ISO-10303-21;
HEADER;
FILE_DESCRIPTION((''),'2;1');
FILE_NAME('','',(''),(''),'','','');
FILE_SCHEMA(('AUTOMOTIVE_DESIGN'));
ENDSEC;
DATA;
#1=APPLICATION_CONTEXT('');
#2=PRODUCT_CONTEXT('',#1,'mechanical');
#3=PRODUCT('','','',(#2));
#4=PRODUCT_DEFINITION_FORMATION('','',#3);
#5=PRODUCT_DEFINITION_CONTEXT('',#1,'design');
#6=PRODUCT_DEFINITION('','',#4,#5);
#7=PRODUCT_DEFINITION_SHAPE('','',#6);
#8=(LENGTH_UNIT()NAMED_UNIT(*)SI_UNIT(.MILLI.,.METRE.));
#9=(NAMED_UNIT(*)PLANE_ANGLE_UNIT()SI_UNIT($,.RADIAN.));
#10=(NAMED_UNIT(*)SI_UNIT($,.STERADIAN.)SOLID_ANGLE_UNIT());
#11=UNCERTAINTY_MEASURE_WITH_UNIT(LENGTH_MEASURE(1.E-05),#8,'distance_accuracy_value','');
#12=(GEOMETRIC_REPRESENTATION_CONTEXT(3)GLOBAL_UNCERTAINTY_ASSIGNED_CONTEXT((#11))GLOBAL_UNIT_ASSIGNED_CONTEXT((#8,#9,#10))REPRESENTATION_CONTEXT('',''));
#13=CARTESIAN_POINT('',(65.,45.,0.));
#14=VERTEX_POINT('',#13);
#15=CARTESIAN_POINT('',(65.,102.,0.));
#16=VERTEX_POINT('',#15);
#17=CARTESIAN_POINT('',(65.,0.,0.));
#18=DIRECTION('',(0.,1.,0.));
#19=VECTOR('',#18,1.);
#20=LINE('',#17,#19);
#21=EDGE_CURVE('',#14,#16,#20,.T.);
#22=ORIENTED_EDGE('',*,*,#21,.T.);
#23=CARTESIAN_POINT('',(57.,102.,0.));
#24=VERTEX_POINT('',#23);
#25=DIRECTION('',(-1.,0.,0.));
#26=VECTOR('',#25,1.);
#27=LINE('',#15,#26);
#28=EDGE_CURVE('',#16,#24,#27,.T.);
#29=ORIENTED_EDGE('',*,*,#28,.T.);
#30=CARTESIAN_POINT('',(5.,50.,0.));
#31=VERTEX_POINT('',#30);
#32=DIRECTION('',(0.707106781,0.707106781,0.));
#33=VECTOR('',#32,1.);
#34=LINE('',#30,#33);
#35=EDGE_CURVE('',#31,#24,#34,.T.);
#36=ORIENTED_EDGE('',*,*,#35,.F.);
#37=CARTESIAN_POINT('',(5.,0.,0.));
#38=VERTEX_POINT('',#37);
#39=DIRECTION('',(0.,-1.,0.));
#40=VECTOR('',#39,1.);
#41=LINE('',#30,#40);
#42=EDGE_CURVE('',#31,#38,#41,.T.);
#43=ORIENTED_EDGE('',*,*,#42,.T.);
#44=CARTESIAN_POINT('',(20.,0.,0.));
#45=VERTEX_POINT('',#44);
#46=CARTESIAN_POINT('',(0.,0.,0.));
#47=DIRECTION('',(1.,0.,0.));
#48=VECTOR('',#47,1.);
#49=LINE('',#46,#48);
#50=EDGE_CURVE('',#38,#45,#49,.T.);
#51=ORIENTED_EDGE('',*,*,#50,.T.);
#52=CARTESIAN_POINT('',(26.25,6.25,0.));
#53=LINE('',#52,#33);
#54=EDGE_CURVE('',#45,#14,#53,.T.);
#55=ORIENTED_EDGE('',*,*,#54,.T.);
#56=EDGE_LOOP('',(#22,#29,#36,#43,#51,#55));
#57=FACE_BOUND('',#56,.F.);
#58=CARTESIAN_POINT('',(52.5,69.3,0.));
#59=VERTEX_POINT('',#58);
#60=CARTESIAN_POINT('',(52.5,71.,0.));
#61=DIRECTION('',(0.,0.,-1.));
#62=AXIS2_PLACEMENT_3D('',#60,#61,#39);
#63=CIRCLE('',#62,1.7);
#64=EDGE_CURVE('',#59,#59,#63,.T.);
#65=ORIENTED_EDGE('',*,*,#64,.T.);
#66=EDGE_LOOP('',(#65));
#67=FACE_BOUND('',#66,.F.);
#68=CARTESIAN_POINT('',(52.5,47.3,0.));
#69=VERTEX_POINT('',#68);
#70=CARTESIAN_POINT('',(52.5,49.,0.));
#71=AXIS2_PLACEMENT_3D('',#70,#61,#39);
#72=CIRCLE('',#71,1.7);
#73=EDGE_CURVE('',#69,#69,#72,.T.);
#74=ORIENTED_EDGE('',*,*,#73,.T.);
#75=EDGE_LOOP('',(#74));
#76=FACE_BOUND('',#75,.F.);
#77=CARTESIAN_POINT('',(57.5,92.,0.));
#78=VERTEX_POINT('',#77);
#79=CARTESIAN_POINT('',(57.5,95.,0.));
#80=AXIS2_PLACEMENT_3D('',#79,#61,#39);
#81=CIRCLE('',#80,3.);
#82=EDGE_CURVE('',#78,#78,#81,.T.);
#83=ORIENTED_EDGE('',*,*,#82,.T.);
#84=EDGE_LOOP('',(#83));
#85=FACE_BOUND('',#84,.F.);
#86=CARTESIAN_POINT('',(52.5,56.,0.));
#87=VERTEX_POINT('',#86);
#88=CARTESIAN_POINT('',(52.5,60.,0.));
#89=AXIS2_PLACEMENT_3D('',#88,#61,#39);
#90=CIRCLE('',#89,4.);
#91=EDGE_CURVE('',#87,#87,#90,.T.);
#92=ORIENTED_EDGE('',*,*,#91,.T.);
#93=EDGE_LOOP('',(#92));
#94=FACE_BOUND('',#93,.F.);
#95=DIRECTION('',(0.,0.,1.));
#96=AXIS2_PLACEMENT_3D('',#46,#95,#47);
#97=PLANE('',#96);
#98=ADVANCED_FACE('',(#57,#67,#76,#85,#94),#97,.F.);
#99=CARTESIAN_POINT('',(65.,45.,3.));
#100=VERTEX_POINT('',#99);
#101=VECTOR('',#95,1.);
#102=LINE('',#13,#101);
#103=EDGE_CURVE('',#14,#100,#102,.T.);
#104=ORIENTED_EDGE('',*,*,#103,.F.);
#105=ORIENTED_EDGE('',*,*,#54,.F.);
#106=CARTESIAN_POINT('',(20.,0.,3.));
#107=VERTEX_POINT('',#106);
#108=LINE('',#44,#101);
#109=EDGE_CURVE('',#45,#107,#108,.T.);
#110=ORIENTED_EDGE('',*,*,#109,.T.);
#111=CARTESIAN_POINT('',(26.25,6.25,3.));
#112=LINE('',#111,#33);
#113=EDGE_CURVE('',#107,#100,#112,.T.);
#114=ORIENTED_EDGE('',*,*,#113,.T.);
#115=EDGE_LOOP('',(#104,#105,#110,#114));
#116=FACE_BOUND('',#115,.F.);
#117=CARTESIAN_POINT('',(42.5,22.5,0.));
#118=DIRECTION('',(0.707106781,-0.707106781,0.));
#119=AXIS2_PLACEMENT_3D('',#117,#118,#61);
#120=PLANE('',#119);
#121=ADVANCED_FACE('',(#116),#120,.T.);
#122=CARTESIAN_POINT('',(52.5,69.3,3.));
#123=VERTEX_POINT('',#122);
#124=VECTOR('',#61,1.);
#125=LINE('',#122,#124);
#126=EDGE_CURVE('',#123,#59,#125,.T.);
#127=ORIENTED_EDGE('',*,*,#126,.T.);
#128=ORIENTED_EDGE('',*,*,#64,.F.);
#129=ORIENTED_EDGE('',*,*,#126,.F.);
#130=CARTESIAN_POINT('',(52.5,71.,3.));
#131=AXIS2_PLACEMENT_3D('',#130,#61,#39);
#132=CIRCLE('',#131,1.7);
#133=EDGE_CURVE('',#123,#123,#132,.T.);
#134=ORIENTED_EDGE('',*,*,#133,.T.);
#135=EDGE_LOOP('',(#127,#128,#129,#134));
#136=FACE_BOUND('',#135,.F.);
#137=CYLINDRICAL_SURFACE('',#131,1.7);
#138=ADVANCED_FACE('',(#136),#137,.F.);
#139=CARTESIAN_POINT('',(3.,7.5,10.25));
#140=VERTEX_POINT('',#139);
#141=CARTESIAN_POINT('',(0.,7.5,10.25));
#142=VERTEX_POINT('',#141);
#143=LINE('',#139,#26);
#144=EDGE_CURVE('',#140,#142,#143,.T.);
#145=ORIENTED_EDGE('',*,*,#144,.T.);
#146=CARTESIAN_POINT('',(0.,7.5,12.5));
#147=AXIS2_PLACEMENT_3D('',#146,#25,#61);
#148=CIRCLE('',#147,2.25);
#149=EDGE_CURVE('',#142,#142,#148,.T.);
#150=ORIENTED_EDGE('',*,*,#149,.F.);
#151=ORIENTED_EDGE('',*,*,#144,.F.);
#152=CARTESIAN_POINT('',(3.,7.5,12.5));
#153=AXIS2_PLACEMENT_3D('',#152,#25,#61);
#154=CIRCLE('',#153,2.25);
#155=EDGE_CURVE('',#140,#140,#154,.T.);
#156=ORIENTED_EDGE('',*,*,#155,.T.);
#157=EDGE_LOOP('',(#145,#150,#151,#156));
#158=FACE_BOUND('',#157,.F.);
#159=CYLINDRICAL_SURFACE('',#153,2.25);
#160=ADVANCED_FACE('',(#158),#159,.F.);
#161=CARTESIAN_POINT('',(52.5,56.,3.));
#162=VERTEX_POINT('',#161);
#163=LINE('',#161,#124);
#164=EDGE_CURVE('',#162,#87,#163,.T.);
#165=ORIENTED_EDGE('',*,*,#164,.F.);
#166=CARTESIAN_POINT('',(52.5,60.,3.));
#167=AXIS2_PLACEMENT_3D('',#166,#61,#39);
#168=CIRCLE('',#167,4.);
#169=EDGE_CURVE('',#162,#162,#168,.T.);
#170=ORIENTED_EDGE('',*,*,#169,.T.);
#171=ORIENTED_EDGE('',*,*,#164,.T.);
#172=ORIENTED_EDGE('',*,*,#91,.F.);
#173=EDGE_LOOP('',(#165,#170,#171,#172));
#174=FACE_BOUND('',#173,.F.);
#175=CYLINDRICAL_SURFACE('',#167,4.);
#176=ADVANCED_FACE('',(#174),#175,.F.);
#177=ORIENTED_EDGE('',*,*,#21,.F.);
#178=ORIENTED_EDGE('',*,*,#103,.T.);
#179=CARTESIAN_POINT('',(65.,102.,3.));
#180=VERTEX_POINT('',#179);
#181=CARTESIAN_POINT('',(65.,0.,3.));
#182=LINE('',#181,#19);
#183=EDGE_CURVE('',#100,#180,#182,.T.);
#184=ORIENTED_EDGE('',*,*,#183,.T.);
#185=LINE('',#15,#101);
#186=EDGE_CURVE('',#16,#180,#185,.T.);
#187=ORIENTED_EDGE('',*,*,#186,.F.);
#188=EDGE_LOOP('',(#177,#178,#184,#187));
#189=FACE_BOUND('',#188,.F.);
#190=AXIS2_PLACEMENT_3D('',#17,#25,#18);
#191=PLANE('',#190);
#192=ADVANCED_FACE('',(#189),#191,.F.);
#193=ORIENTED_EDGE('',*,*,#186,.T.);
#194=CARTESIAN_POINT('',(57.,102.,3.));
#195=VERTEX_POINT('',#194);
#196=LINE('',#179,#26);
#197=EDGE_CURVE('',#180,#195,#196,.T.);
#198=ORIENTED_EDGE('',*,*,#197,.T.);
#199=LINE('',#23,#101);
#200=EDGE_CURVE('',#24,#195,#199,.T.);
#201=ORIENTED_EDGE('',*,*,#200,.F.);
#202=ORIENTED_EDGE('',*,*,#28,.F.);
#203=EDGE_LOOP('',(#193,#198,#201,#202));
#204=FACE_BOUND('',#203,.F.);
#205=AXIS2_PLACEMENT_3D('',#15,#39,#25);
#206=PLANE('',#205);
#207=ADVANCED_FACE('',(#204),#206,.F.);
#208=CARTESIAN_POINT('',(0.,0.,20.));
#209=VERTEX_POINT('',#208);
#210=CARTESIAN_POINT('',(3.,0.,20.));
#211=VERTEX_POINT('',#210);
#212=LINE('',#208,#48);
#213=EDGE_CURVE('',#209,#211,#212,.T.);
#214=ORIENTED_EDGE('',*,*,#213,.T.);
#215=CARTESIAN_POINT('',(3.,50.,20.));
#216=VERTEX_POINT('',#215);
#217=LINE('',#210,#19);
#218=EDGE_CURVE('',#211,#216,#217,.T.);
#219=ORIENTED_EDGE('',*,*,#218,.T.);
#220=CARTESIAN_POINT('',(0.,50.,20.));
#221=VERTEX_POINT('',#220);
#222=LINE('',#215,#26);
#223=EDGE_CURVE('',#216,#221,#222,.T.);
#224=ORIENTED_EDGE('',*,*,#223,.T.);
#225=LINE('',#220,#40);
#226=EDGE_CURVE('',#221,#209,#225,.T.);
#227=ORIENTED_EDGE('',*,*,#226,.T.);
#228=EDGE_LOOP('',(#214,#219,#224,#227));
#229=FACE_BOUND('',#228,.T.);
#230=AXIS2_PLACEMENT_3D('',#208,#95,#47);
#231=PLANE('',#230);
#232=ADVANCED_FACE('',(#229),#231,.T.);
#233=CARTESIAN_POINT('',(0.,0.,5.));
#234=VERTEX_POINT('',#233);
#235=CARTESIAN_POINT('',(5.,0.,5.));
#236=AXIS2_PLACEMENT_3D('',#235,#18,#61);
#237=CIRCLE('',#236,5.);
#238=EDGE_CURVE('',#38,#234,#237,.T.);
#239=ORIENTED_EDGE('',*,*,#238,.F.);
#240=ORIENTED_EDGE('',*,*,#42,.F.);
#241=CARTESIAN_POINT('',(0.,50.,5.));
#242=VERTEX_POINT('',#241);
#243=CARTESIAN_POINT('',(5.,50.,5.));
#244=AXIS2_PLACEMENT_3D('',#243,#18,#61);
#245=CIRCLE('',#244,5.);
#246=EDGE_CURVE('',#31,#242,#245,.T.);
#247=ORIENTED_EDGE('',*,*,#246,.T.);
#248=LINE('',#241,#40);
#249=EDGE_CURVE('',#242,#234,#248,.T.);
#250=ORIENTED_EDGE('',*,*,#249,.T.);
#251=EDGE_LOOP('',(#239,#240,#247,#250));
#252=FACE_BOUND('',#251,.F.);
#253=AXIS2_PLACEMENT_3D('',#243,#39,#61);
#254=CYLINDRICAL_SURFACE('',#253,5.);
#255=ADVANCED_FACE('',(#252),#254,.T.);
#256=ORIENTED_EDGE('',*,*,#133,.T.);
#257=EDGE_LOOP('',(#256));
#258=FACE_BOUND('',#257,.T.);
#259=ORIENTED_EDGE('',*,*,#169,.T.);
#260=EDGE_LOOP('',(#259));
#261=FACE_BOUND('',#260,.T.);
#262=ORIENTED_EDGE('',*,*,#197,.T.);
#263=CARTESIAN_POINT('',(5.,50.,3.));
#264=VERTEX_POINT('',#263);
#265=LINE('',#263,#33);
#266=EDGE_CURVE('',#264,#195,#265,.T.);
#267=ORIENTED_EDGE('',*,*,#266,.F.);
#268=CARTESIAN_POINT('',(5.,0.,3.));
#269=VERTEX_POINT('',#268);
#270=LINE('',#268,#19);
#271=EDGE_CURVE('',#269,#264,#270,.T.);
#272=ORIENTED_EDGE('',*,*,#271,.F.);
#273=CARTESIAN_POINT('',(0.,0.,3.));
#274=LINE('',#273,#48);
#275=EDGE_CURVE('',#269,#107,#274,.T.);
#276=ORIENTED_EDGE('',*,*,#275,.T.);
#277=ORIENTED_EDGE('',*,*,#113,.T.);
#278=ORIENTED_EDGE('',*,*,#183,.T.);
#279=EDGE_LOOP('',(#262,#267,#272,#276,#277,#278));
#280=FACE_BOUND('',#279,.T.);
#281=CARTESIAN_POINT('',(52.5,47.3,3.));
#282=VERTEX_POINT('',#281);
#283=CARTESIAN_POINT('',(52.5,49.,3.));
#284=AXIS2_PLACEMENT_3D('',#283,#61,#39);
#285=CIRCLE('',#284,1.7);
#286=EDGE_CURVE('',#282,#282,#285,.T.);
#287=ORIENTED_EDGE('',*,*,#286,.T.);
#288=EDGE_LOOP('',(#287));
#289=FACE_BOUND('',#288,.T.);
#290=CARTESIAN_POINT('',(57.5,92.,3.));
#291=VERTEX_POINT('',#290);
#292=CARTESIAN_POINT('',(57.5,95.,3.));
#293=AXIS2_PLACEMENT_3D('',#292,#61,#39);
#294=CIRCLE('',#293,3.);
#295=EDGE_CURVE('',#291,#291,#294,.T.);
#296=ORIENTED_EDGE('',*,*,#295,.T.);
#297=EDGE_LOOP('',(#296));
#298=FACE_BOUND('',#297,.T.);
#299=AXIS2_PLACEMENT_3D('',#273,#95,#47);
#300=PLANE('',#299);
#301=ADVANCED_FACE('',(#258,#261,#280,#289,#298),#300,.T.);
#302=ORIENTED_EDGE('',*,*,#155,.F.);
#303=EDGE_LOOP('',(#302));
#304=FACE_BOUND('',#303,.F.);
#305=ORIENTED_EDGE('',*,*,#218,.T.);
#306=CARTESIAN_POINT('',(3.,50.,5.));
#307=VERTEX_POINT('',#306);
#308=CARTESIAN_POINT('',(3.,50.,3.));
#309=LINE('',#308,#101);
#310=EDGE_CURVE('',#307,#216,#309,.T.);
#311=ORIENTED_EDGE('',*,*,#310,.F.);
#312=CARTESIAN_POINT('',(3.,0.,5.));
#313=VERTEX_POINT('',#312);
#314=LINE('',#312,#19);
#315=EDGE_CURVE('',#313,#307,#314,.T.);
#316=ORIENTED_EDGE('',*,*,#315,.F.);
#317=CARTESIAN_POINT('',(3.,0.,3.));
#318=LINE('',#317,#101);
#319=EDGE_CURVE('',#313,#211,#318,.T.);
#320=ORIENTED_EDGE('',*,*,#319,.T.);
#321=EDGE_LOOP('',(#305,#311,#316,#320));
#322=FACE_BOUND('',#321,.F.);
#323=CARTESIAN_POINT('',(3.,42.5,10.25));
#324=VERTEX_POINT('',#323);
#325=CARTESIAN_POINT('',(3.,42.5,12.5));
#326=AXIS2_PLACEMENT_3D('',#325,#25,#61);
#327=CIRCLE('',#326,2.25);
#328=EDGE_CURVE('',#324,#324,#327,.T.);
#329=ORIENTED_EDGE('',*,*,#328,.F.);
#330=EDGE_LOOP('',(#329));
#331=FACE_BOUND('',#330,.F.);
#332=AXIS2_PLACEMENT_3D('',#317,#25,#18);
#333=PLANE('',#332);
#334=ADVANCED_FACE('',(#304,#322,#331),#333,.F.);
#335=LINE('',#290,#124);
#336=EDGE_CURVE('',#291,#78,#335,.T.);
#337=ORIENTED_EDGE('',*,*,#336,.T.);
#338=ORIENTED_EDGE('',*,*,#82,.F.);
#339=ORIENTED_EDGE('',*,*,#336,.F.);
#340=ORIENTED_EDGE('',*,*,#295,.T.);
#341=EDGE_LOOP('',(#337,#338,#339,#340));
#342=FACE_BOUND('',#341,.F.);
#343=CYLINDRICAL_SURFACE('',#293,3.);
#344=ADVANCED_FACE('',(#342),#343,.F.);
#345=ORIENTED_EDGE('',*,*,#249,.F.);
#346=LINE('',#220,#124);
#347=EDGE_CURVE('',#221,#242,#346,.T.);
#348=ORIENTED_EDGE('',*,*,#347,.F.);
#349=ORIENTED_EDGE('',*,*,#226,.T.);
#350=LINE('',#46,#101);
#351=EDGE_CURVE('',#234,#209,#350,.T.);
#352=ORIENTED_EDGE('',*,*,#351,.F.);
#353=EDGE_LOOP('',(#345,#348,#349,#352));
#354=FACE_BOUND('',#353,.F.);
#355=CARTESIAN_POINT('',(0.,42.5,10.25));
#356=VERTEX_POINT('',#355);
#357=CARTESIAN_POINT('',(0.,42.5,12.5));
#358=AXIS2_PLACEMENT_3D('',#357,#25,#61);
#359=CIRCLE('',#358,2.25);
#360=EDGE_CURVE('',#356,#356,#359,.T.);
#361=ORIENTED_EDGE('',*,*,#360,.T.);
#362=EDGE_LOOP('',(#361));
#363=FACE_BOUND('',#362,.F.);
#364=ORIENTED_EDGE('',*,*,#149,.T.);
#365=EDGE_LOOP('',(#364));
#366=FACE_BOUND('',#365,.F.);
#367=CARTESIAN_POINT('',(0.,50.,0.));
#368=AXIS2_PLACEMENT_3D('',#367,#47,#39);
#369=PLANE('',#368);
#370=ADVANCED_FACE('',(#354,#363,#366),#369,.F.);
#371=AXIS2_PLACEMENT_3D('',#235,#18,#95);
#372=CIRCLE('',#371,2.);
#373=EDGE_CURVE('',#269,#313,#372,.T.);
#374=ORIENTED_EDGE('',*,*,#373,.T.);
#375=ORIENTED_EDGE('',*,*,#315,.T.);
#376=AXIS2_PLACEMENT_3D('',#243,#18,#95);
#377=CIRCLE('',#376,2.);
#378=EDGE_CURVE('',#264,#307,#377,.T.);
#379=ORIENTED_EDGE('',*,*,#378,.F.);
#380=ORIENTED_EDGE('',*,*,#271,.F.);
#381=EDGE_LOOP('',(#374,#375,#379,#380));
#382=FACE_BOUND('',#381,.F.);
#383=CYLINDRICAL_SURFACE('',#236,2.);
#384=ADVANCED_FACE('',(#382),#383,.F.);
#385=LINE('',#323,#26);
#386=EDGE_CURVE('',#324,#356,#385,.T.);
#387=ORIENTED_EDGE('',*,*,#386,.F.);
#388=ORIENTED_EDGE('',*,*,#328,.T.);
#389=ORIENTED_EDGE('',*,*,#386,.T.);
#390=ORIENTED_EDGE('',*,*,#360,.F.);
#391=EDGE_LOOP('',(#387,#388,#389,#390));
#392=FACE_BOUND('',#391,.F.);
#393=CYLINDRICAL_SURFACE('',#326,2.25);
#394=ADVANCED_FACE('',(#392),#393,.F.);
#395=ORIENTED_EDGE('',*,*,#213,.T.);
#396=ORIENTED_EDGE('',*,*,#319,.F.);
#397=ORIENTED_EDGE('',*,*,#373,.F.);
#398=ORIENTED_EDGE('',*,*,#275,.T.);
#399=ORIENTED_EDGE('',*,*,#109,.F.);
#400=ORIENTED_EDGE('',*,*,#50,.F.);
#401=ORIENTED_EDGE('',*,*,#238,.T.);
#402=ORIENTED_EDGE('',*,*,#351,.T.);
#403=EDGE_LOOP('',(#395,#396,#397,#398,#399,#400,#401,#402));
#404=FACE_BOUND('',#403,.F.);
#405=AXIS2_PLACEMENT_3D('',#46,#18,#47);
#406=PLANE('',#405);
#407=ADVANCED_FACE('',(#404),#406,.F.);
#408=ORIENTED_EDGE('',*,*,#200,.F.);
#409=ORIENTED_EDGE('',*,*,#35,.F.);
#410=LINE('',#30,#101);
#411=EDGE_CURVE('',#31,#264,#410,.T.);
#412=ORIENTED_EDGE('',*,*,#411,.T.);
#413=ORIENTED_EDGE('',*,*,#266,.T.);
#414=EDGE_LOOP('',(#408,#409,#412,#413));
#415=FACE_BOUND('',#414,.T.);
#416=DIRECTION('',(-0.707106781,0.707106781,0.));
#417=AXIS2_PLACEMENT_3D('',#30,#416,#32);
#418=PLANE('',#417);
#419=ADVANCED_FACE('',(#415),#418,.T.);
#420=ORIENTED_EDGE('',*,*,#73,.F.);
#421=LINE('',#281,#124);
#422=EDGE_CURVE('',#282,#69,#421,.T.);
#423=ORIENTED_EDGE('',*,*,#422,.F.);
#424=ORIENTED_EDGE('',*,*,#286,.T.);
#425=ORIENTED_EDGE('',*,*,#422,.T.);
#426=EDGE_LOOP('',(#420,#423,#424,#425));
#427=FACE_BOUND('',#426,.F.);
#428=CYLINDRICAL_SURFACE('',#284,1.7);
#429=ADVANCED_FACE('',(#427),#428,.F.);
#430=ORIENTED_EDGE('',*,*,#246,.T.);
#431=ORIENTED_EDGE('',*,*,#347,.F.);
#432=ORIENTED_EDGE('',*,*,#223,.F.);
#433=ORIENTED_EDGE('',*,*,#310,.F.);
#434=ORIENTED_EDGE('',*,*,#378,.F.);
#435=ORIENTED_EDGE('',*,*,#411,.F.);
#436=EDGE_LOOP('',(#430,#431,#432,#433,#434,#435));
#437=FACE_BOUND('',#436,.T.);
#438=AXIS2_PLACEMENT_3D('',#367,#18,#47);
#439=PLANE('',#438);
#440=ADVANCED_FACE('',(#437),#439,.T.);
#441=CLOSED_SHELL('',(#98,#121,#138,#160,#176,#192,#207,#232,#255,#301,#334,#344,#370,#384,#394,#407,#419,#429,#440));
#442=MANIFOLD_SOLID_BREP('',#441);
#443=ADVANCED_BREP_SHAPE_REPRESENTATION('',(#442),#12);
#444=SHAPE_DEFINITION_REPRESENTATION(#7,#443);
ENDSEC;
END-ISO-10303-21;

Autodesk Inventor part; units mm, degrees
ref_plane "YZ Plane" through (0, 0, 0) normal (1, 0, 0) x (0, 1, 0)
ref_plane "XZ Plane" through (0, 0, 0) normal (0, 1, 0) x (-1, 0, 0)
ref_plane "XY Plane" through (0, 0, 0) normal (0, 0, 1) x (1, 0, 0)
sketch "Sketch1" plane through (0, 0, 0) normal (0, 0, 1) x (1, 0, 0)
  line L0 (0, 0) -> (65, 0)
  line L1 (65, 0) -> (65, 102)
  line L2 (65, 102) -> (0, 102)
  line L3 (0, 102) -> (0, 0)
  line L4 (0, 50) -> (5, 50)
  line L5 (5, 50) -> (57, 102)
  dimension "d0" = 65
  dimension "d1" = 102
  dimension "d28" = 45
  dimension "d29" = 50
  dimension "d30" = 5
extrude "Extrusion1" add sketch "Sketch1" along normal blind 3 contours L3 L4 L5 L2 L1 L0
sketch "Sketch2" plane through (0, 0, 3) normal (0, 0, 1) x (1, 0, 0)
  line L0 (0, 0) -> (65, 0) projected
  line L1 (0, 0) -> (3, 0)
  line L2 (3, 0) -> (3, 50)
  line L3 (3, 50) -> (0, 50)
  line L4 (0, 50) -> (0, 0)
  dimension "d4" = 3
  dimension "d5" = 50
extrude "Extrusion2" add sketch "Sketch2" along normal blind 17
chamfer "Chamfer2" distance 45 angle 45 1 edges at (65, 0, 1.5)
sketch "Sketch4" plane through (3, 0, 3) normal (1, 0, 0) x (0, 0, -1)
  line L0 (-17, 0) -> (-17, 50) projected
  line L1 (0, 50) -> (-17, 50) projected
  line L2 (0, 0) -> (-17, 0) projected
  point P0 (3, 0)
  point P1 (-9.5, 42.5)
  point P2 (-9.5, 7.5)
  dimension "d31" = 7.5
  dimension "d32" = 7.5
  dimension "d33" = 7.5
  dimension "d34" = 35
hole "Hole1" at (3, 42.5, 12.5) at (3, 7.5, 12.5) direction (-1, 0, 0) diameter 4.5 end through all clearance for "Flat Head Machine Screw" size "M4" standard "Ansi Metric M Profile"
sketch "Sketch3" plane through (0, 0, 3) normal (0, 0, 1) x (1, 0, 0)
  line L0 (3, 0) -> (3, 50) projected
  line L1 (0, 50) -> (0, 0) projected
  line L2 (3, 50) -> (0, 50) projected
  point P0 (57.5, 95)
  dimension "d10" = 57.5
  dimension "d42" = 45
hole "Hole2" at (57.5, 95, 3) direction (0, 0, -1) diameter 6 end through all
sketch "Sketch5" plane through (0, 0, 3) normal (0, 0, 1) x (1, 0, 0)
  circle A0 centre (57.5, 95) radius 3 projected
  point P0 (0, 0)
  point P1 (52.5, 71)
  point P2 (52.5, 49)
  dimension "d51" = 22
  dimension "d70" = 24
  dimension "d71" = 5
hole "Hole3" at (52.5, 71, 3) at (52.5, 49, 3) direction (0, 0, -1) diameter 3.4 end through all clearance for "Flat Head Machine Screw" size "M3" standard "Ansi Metric M Profile"
fillet "Fillet5" radius 2 1 edges at (3, 25, 3)
fillet "Fillet6" radius 5 1 edges at (0, 25, 0)
sketch "Sketch6" plane through (0, 0, 3) normal (0, 0, 1) x (1, 0, 0)
  circle A0 centre (57.5, 95) radius 3 projected
  circle A1 centre (52.5, 71) radius 1.7 projected
  point P0 (0, 0)
  point P1 (52.5, 60)
  dimension "d69" = 11
hole "Hole4" at (52.5, 60, 3) direction (0, 0, -1) diameter 8 end through all
equation "\"d33\" = d32"
properties part number "Pancake_Bracket" material "Aluminum 6061"
